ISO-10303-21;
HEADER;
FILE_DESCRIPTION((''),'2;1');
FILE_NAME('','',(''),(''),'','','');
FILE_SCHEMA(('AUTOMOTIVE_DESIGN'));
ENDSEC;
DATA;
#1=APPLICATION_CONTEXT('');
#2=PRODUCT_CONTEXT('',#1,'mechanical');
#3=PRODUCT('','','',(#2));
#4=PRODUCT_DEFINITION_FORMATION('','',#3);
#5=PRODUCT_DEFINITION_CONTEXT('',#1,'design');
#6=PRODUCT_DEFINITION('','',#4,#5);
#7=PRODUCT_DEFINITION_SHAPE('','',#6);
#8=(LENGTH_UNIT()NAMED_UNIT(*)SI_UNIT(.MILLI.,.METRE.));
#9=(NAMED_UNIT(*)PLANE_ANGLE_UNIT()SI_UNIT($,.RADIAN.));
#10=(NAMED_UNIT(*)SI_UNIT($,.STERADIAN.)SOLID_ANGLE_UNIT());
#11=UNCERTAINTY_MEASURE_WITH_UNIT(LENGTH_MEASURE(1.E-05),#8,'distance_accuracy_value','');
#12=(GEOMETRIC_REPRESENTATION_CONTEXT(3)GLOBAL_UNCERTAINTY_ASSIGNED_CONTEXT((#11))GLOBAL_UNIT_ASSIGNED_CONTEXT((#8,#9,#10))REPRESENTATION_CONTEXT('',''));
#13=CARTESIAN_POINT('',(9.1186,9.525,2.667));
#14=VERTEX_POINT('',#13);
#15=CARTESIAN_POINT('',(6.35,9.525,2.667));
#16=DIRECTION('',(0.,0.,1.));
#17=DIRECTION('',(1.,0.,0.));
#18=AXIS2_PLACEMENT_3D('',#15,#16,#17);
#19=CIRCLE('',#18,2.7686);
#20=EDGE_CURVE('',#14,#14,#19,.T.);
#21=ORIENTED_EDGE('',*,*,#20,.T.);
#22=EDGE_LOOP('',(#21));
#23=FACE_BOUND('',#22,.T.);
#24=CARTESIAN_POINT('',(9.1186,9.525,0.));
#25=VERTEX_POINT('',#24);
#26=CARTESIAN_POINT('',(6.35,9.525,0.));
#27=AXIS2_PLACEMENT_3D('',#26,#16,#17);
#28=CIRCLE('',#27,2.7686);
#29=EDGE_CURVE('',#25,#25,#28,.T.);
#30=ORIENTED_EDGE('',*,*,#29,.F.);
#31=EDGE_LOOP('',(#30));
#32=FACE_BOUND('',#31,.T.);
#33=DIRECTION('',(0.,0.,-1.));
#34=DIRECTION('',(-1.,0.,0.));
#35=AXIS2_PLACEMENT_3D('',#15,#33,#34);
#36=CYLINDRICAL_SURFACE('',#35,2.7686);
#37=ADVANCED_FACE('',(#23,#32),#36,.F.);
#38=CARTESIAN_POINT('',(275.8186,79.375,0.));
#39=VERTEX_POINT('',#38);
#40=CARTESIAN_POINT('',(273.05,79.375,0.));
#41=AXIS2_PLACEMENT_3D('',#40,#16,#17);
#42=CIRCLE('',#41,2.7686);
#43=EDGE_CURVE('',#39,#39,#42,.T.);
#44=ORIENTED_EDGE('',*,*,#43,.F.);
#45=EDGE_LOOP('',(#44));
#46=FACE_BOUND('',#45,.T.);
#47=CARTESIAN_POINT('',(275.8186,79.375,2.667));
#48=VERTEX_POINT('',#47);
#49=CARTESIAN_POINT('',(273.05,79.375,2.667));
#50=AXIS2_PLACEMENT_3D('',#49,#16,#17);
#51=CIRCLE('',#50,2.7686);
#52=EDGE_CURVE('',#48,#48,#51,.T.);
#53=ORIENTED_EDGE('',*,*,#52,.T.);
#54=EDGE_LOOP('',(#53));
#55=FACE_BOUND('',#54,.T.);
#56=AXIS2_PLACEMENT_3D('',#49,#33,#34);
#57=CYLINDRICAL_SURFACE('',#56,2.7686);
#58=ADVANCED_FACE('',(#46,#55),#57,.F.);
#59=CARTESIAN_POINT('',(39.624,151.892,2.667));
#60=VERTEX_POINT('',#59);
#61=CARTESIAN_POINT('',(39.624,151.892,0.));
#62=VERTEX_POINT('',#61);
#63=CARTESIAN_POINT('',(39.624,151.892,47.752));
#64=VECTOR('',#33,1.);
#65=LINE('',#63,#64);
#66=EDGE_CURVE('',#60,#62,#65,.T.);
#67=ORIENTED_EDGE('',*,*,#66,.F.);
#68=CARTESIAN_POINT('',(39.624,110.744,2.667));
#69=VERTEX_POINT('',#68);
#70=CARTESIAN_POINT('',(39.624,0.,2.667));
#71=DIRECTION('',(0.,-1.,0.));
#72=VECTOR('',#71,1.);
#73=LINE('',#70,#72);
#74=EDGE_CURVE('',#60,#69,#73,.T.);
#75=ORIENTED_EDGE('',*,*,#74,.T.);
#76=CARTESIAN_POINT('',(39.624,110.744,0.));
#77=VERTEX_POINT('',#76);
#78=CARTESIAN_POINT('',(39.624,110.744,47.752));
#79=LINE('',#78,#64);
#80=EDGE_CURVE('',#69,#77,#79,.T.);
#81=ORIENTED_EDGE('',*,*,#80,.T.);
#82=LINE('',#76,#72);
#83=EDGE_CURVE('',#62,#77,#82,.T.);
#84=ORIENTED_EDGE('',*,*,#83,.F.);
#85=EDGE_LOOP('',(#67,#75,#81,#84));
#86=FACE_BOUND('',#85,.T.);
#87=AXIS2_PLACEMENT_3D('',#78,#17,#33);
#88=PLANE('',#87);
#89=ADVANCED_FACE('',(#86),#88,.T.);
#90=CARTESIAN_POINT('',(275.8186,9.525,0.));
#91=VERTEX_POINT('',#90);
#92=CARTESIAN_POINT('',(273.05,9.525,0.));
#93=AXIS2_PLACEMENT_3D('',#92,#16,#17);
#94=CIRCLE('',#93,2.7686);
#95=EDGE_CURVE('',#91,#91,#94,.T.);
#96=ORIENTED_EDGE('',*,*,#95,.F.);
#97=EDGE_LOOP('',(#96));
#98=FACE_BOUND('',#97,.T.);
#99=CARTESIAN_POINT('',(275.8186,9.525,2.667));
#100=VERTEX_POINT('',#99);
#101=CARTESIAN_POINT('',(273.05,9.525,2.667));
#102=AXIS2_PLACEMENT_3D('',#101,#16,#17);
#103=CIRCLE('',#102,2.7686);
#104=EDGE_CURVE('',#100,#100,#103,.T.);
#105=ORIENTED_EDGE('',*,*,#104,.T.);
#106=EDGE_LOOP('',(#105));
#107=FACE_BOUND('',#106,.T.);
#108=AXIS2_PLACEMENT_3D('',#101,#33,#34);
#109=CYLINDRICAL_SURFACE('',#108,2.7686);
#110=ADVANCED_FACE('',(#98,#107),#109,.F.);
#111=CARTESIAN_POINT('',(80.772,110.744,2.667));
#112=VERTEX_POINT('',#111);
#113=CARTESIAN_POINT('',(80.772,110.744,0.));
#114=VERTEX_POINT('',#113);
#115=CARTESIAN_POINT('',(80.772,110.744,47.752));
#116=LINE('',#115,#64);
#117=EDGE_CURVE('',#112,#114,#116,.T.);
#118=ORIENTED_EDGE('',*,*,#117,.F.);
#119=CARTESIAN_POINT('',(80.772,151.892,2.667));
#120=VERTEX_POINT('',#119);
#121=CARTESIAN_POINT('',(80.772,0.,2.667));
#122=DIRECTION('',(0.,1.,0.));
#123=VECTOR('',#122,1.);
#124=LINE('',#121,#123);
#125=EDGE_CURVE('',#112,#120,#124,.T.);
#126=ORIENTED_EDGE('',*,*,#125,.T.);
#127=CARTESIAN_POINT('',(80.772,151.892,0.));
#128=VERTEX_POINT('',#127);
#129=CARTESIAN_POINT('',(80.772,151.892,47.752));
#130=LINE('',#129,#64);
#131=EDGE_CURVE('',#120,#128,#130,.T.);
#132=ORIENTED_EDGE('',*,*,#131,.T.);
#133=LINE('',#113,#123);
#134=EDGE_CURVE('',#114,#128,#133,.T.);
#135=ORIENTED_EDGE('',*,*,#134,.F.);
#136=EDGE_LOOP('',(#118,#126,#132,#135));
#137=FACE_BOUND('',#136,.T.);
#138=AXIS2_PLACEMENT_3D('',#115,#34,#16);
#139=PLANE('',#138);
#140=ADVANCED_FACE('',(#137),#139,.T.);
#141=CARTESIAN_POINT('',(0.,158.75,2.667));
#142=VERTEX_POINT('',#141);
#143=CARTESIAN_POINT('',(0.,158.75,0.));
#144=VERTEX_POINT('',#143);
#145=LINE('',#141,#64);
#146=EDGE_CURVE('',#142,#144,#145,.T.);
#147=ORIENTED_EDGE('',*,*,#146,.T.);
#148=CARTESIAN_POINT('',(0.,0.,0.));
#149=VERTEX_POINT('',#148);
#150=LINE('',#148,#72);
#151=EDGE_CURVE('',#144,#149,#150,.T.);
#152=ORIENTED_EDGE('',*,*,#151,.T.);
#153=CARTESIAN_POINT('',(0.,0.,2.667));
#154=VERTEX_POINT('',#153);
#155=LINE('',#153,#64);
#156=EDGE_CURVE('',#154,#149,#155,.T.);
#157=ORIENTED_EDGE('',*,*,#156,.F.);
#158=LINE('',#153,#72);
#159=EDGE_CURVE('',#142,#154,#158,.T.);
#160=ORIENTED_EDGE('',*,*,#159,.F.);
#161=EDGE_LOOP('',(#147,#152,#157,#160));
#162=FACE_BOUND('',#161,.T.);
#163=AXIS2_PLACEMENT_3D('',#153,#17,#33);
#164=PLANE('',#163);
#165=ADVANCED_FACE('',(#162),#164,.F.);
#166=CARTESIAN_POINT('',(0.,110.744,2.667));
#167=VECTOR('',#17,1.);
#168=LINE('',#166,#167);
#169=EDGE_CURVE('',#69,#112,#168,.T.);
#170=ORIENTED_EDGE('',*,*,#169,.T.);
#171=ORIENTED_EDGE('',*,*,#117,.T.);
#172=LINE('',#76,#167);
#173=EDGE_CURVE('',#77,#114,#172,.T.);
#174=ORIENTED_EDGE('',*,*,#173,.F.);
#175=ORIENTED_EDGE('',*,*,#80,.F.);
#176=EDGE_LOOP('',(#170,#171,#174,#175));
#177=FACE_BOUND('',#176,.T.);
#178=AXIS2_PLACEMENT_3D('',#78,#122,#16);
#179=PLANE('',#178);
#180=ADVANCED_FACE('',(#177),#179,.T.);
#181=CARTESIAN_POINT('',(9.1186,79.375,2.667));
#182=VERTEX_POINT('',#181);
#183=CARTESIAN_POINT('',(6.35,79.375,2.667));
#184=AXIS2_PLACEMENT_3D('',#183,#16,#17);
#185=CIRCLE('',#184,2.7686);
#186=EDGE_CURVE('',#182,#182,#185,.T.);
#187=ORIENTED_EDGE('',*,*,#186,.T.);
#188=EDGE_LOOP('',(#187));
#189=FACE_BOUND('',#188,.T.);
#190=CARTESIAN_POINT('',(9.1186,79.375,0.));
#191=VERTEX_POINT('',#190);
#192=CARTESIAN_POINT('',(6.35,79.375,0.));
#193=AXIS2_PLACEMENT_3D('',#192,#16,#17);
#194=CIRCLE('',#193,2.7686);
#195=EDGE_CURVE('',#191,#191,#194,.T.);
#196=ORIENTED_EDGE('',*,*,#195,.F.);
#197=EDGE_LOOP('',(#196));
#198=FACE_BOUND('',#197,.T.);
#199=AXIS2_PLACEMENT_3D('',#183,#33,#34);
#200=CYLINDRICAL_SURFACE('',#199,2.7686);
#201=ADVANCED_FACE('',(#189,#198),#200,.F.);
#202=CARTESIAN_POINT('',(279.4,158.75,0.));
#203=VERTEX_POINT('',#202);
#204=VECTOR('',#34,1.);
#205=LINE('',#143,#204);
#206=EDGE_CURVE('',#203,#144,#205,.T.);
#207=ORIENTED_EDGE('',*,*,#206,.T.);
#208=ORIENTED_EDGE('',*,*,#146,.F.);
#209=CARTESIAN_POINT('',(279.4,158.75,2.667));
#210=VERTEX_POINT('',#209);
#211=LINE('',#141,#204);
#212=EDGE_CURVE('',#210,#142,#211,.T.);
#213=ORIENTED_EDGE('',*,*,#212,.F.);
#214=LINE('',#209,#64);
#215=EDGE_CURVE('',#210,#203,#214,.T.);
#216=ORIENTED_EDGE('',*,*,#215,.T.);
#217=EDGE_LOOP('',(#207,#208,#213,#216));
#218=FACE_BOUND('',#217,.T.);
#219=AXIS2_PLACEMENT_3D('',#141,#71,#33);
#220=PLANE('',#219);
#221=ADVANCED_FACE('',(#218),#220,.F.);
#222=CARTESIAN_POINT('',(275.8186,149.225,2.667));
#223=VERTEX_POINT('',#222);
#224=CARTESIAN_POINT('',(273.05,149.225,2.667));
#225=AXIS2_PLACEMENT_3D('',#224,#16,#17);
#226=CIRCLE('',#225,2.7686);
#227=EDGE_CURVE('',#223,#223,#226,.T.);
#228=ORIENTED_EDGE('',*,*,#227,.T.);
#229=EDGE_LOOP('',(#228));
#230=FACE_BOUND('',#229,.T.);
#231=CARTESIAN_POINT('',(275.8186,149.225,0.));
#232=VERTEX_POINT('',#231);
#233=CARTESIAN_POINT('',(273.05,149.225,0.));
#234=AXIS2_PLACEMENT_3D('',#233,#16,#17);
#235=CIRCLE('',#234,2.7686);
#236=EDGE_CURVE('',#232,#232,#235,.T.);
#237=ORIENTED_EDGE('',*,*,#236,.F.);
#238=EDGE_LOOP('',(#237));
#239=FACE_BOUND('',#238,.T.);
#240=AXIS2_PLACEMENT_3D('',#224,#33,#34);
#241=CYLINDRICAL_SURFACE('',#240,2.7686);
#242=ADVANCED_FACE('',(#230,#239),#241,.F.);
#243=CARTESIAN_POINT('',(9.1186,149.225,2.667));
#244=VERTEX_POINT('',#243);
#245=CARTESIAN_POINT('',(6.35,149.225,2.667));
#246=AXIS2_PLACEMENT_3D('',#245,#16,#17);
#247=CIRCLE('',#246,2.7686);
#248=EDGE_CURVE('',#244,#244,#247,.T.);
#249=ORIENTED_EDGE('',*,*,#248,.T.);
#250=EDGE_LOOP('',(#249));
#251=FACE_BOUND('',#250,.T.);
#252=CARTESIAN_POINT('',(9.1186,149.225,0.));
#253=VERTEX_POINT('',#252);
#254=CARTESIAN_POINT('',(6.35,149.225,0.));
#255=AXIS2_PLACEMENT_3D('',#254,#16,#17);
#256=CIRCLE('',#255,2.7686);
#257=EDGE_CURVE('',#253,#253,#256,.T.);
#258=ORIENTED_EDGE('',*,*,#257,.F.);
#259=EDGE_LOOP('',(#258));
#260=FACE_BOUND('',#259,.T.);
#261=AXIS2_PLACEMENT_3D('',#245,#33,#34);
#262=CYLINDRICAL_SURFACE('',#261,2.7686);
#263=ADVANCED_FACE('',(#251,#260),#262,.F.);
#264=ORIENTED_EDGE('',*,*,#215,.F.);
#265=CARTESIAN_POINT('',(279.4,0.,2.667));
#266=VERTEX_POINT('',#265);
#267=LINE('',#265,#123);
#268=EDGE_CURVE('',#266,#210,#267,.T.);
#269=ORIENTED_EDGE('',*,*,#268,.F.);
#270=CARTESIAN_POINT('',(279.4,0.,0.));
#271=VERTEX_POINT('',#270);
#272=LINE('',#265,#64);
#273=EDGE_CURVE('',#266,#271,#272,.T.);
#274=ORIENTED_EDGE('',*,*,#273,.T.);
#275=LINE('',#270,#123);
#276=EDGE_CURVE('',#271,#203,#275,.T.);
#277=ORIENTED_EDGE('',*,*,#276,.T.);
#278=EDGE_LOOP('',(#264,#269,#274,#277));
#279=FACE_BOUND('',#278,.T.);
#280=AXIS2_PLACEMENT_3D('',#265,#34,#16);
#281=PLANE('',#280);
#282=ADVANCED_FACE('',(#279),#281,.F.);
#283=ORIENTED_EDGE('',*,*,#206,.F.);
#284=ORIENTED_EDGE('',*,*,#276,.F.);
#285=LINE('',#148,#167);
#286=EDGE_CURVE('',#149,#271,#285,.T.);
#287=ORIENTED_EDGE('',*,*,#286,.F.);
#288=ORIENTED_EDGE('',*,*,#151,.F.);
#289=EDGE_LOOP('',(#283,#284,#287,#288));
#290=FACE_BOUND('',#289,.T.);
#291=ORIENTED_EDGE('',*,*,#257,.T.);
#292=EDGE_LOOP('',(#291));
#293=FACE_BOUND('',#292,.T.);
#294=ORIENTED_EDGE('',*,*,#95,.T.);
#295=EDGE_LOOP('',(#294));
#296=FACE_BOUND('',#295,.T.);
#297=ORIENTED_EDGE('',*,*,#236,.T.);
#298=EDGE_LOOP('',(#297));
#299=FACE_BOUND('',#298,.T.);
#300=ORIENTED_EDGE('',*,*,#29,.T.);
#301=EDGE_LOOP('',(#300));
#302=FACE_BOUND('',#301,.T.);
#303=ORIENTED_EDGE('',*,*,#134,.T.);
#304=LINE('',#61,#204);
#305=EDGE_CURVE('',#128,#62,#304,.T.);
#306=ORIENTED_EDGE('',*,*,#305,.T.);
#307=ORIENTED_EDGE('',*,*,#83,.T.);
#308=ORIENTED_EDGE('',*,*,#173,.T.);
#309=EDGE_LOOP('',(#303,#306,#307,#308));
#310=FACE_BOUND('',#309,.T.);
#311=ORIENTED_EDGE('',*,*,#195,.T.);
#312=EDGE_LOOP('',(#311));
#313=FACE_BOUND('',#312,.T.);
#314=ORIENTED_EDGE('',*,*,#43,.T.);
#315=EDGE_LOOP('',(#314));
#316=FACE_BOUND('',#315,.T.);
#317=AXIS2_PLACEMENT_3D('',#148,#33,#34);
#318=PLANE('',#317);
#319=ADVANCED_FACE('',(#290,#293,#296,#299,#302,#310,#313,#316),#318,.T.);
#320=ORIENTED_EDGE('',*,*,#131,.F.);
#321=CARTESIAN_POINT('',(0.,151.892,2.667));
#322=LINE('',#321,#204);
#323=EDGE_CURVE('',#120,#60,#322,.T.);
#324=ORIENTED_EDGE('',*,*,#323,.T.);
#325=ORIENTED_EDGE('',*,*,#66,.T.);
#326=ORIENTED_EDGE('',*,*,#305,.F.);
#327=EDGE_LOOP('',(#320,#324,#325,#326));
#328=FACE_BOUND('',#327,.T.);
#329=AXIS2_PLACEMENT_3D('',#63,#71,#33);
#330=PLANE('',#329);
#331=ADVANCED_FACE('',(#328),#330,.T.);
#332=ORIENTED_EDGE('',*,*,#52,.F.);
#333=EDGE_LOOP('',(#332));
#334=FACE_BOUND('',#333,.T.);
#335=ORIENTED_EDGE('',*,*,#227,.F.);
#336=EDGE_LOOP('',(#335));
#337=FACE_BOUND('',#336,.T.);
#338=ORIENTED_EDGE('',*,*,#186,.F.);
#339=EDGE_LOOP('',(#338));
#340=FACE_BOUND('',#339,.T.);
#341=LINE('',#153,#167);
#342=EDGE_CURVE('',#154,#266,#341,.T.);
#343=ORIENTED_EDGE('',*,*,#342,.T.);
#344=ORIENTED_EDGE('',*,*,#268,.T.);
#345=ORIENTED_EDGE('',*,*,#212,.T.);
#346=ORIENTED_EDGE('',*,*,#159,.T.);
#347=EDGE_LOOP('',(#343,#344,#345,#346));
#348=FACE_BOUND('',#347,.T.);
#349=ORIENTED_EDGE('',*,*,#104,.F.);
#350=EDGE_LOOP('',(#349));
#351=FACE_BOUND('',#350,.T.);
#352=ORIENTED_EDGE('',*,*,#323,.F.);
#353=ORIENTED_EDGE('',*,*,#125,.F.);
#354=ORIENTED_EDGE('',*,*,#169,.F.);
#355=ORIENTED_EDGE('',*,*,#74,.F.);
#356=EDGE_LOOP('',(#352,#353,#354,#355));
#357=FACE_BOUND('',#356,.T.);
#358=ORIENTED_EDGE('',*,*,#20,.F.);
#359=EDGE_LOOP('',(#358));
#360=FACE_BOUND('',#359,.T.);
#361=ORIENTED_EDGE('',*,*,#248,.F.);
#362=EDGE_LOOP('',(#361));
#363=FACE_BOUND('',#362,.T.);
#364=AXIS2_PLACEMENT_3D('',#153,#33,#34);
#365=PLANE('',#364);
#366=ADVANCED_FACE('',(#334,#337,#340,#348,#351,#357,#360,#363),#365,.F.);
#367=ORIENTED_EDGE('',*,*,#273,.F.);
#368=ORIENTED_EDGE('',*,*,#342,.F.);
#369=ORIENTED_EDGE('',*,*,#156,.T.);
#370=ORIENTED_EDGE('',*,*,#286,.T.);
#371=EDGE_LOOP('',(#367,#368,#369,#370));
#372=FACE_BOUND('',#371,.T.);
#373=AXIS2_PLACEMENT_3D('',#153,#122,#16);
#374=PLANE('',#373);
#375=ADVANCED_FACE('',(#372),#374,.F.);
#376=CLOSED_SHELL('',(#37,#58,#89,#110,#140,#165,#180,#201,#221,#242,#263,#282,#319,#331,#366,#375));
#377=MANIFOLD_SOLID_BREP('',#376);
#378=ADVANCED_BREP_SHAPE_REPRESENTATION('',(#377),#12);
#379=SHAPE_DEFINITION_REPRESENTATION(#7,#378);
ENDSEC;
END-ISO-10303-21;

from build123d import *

# Parameters (mm, degrees)
SKETCH1_W           = 279.4
SKETCH1_H           = 158.75
BOSS_EXTRUDE1_DEPTH = 2.667
SKETCH2_W           = 41.148
SKETCH2_H           = 41.148
CUT_EXTRUDE1_DEPTH  = 47.752
SKETCH3_R           = 2.7686
CUT_EXTRUDE2_DEPTH  = 322.361222597


with BuildPart() as part:
    # Sketch1 → Boss-Extrude1 (new body)
    with BuildSketch(Plane.XY):
        with Locations((139.7, 79.375)):
            Rectangle(SKETCH1_W, SKETCH1_H)
    extrude(amount=BOSS_EXTRUDE1_DEPTH)

    # Sketch2 → Cut-Extrude1 (cut)
    with BuildSketch(Plane.XY):
        with Locations((60.198, 131.318)):
            Rectangle(SKETCH2_W, SKETCH2_H)
    extrude(amount=CUT_EXTRUDE1_DEPTH, mode=Mode.SUBTRACT)

    # Sketch3 → Cut-Extrude2 (cut, through all)
    with BuildSketch(Plane.XY):
        with Locations((6.35, 9.525)):
            Circle(SKETCH3_R)
        with Locations((6.35, 79.375)):
            Circle(SKETCH3_R)
        with Locations((6.35, 149.225)):
            Circle(SKETCH3_R)
        with Locations((273.05, 9.525)):
            Circle(SKETCH3_R)
        with Locations((273.05, 79.375)):
            Circle(SKETCH3_R)
        with Locations((273.05, 149.225)):
            Circle(SKETCH3_R)
    extrude(amount=CUT_EXTRUDE2_DEPTH, mode=Mode.SUBTRACT)


solid = part.part
